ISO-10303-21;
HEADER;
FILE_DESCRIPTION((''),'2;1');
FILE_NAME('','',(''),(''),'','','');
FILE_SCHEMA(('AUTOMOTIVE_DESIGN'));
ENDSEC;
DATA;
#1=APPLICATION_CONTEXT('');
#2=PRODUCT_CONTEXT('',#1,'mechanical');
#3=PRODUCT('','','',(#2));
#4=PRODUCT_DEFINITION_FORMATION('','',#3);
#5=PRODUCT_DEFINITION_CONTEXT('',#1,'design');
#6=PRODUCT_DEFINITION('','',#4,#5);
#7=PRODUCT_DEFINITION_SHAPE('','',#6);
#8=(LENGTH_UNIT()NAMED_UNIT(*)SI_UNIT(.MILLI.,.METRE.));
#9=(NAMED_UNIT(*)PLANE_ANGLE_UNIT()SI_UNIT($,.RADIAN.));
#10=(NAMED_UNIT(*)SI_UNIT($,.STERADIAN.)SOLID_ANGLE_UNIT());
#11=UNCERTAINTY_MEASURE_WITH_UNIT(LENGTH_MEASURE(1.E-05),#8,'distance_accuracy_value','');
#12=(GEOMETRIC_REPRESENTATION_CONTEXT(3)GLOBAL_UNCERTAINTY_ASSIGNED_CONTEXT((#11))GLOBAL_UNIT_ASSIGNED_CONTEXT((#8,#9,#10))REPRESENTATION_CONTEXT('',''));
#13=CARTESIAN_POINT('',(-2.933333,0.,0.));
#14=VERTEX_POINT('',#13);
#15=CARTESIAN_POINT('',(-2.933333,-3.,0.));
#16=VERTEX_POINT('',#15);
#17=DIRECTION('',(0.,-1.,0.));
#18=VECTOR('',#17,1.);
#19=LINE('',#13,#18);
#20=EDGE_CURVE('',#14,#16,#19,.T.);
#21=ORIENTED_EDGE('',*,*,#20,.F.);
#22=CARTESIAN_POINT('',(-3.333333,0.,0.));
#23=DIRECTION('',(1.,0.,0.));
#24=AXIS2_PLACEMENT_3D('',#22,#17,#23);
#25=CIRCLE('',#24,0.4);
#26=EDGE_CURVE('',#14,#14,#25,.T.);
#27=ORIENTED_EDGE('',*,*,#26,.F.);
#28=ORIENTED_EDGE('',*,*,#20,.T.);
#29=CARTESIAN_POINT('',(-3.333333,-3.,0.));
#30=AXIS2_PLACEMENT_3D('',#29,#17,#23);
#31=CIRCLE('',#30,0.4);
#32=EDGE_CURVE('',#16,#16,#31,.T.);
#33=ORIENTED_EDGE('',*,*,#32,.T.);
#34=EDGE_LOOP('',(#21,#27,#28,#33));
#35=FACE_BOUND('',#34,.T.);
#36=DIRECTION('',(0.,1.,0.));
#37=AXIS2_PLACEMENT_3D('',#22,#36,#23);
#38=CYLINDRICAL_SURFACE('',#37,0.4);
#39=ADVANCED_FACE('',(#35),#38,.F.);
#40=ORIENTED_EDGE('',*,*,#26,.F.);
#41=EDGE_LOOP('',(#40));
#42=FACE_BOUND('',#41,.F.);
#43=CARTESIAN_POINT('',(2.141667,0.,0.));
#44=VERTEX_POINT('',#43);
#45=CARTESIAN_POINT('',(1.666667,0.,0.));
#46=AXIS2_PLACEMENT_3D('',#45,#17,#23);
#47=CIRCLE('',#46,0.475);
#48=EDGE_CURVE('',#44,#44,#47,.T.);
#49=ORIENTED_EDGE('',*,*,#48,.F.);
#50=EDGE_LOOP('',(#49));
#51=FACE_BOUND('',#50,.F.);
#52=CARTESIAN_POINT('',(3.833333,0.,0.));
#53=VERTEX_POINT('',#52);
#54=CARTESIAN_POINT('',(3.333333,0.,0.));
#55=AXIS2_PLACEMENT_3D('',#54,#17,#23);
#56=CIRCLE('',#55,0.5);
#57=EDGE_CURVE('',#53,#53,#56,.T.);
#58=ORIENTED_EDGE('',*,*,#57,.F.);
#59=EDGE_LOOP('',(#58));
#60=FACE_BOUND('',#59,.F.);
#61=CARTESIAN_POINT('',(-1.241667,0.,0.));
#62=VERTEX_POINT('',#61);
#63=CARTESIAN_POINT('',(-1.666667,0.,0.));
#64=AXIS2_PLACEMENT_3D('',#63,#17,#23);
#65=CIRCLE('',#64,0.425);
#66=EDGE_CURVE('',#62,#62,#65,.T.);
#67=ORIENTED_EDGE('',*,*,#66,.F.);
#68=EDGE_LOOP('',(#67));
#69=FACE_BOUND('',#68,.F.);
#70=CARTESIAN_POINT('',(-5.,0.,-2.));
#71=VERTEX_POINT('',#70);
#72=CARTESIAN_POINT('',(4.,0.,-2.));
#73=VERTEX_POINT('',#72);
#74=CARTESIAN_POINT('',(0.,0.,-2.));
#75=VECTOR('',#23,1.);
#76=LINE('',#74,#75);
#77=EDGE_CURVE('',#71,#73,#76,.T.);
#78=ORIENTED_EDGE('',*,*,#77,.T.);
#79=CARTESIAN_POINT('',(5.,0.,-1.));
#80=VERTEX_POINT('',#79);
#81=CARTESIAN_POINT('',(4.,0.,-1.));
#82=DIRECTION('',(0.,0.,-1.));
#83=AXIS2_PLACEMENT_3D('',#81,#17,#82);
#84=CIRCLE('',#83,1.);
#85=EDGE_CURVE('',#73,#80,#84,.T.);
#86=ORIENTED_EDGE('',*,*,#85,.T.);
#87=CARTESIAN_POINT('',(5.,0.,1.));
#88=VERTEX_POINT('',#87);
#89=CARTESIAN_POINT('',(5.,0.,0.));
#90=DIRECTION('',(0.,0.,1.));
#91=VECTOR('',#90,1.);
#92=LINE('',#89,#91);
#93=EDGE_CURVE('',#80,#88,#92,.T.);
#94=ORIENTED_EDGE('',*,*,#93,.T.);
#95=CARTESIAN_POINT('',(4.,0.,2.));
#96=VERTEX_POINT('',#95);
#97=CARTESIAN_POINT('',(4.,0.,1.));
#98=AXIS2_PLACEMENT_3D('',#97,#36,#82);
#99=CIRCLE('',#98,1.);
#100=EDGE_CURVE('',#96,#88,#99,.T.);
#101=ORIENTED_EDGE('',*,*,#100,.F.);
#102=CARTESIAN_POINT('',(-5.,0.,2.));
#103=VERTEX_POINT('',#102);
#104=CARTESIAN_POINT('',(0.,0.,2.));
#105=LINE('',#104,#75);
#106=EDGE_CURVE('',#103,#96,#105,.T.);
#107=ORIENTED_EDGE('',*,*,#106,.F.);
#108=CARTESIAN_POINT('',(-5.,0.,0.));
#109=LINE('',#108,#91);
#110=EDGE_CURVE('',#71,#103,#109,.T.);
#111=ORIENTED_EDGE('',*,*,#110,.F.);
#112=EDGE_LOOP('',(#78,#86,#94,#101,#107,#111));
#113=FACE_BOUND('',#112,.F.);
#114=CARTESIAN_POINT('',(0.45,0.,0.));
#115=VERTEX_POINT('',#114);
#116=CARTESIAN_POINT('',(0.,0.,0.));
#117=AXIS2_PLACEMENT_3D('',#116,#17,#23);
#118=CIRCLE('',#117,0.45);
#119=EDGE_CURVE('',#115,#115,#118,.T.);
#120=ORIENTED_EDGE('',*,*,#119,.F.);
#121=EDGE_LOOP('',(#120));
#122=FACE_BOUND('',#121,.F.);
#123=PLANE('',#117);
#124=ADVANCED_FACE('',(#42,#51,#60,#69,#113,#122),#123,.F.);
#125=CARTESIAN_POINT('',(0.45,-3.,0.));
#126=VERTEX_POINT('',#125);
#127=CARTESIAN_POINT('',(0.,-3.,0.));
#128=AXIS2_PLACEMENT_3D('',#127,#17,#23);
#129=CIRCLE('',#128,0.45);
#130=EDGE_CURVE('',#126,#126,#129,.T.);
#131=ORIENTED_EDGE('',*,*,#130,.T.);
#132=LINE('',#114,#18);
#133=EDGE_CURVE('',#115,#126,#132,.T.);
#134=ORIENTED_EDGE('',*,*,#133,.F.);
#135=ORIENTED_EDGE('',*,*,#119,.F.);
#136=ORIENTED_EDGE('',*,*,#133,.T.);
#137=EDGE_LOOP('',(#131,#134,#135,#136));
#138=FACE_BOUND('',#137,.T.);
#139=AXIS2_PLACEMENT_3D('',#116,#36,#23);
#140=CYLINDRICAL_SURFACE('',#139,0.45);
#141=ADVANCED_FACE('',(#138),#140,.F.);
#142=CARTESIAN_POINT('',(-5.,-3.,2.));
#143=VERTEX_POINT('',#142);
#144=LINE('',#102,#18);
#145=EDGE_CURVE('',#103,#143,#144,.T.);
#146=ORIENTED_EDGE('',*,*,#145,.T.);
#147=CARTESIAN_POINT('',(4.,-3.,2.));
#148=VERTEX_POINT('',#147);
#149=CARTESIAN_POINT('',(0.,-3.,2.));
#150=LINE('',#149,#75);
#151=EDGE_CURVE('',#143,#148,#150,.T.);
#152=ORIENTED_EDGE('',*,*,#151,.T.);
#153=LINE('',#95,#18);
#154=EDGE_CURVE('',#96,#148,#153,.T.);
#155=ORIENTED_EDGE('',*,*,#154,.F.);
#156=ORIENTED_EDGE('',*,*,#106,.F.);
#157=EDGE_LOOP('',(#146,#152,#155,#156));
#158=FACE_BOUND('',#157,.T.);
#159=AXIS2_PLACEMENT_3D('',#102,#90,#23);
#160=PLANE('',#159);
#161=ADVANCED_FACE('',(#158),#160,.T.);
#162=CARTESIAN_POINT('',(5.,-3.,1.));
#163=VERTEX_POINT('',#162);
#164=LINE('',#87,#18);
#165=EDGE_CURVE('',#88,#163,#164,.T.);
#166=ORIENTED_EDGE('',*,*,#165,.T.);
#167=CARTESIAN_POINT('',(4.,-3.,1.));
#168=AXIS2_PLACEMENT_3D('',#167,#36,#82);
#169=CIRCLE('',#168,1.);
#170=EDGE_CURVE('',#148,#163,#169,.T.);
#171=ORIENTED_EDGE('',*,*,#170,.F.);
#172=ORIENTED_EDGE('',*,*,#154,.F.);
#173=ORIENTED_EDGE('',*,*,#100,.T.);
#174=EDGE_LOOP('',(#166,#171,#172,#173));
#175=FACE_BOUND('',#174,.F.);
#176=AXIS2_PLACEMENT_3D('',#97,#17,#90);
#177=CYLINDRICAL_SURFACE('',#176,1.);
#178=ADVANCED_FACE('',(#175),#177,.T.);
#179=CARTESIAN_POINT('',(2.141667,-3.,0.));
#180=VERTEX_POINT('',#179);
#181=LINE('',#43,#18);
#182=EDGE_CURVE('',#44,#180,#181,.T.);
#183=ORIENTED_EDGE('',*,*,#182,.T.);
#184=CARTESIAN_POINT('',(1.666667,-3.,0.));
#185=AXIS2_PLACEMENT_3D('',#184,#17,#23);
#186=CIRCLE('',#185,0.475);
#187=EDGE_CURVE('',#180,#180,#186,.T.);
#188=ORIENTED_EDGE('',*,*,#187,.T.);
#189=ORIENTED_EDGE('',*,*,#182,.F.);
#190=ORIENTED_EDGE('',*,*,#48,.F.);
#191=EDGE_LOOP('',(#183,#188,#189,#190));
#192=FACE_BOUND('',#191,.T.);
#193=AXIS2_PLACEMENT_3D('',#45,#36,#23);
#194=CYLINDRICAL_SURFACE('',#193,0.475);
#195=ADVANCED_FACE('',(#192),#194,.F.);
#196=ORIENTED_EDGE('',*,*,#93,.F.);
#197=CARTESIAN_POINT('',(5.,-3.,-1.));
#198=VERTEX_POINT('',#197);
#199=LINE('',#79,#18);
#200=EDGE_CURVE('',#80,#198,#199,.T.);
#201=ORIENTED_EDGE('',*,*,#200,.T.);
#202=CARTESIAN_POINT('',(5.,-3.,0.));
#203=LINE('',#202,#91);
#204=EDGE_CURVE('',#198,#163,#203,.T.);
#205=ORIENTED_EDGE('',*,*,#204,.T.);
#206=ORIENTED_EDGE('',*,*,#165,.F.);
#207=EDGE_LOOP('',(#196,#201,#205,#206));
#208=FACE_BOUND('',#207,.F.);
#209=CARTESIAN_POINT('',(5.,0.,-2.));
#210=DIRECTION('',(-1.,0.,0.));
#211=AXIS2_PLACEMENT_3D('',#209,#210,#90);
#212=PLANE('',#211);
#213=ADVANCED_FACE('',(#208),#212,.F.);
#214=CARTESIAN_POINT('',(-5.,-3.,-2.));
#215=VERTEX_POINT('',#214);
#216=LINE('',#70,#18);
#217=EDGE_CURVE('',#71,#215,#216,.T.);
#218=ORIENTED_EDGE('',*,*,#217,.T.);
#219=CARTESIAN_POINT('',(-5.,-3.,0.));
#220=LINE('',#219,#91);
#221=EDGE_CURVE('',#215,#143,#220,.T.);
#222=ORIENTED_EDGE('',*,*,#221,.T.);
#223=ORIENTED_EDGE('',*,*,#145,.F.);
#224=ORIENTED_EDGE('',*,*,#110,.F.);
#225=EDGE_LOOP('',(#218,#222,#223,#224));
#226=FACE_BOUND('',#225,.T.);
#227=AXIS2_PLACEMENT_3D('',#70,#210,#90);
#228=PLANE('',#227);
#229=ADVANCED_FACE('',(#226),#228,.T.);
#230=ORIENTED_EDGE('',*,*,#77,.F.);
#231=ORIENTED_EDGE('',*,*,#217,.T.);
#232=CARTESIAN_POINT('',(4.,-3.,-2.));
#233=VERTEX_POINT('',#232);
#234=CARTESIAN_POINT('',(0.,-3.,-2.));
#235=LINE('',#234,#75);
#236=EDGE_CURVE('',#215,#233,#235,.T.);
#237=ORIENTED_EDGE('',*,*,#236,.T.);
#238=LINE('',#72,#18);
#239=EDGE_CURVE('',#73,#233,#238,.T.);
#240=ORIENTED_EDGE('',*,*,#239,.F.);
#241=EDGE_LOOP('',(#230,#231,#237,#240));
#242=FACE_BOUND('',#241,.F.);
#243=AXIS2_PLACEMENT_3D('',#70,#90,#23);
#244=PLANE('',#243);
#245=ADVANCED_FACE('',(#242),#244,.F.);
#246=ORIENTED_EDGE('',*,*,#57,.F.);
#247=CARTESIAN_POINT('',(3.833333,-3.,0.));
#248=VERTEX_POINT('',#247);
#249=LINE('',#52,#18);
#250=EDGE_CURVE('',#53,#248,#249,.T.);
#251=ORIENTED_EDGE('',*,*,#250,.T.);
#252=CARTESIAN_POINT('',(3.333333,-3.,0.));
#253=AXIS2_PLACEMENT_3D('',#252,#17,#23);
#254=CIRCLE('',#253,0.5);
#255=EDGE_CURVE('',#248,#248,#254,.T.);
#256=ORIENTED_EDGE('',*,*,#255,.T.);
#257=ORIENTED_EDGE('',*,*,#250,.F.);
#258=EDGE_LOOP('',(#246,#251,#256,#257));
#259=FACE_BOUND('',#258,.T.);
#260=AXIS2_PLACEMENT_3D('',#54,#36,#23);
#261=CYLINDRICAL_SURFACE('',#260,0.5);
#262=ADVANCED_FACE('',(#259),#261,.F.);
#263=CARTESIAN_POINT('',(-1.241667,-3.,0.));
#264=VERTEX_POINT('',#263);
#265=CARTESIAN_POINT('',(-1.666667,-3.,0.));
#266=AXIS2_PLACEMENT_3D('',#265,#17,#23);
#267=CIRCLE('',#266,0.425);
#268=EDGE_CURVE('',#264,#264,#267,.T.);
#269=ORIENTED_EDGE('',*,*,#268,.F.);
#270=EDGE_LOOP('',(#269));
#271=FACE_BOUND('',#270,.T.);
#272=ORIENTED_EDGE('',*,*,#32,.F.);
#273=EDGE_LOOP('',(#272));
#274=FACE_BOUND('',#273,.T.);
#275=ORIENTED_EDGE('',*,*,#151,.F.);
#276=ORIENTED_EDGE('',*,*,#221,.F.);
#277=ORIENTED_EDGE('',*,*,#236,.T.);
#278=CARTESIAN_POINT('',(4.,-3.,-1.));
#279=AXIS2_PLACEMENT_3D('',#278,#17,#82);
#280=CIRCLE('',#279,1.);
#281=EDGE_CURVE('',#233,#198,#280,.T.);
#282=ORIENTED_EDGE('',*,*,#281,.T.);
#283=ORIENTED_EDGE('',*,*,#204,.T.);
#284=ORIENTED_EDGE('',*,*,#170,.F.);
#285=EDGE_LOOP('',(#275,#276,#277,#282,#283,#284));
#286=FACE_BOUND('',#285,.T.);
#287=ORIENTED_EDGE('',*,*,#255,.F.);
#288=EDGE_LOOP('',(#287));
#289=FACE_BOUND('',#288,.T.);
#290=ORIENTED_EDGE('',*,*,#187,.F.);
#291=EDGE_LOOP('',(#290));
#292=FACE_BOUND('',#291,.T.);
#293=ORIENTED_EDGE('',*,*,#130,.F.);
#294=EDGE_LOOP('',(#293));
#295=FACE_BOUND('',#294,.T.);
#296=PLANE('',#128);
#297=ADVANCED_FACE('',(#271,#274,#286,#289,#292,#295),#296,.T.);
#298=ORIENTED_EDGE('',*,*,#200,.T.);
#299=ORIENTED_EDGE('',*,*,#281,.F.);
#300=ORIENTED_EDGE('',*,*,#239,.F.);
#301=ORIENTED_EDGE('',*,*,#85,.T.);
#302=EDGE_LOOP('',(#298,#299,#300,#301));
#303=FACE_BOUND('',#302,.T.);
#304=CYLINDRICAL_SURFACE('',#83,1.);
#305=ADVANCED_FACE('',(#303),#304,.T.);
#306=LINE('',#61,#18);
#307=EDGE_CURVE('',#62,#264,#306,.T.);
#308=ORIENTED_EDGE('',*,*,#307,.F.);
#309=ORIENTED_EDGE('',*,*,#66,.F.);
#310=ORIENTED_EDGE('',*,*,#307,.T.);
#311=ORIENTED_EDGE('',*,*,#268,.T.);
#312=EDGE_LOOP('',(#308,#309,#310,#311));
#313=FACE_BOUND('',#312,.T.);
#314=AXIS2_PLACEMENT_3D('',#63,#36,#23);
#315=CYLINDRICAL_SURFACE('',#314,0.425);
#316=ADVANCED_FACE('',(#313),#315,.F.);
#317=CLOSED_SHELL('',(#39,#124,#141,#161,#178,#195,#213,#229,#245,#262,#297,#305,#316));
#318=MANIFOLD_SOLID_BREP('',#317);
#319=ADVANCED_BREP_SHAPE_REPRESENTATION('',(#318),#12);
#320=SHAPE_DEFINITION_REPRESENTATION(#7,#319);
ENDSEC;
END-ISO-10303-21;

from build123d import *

# Parameters (mm, degrees)
F0_W     = 10
F0_H     = 4
F0_R     = 0.4
F0_R_2   = 0.425
F0_R_3   = 0.45
F0_R_4   = 0.475
F0_R_5   = 0.5
F1_DEPTH = 3
F2_R     = 1


with BuildPart() as f1:
    # F0 (on Front) → F1 (new body)
    with BuildSketch(Plane.XZ):
        Rectangle(F0_W, F0_H)
        with Locations((-3.333333, 0)):
            Circle(F0_R, mode=Mode.SUBTRACT)
        with Locations((-1.666667, 0)):
            Circle(F0_R_2, mode=Mode.SUBTRACT)
        Circle(F0_R_3, mode=Mode.SUBTRACT)
        with Locations((1.666667, 0)):
            Circle(F0_R_4, mode=Mode.SUBTRACT)
        with Locations((3.333333, 0)):
            Circle(F0_R_5, mode=Mode.SUBTRACT)
    extrude(amount=F1_DEPTH)

    # F2
    f2_edges = [f1.edges().sort_by_distance(p)[0] for p in [
        (5, -1.5, 2),
        (5, -1.5, -2),
    ]]
    fillet(f2_edges, radius=F2_R)


solid = f1.part
